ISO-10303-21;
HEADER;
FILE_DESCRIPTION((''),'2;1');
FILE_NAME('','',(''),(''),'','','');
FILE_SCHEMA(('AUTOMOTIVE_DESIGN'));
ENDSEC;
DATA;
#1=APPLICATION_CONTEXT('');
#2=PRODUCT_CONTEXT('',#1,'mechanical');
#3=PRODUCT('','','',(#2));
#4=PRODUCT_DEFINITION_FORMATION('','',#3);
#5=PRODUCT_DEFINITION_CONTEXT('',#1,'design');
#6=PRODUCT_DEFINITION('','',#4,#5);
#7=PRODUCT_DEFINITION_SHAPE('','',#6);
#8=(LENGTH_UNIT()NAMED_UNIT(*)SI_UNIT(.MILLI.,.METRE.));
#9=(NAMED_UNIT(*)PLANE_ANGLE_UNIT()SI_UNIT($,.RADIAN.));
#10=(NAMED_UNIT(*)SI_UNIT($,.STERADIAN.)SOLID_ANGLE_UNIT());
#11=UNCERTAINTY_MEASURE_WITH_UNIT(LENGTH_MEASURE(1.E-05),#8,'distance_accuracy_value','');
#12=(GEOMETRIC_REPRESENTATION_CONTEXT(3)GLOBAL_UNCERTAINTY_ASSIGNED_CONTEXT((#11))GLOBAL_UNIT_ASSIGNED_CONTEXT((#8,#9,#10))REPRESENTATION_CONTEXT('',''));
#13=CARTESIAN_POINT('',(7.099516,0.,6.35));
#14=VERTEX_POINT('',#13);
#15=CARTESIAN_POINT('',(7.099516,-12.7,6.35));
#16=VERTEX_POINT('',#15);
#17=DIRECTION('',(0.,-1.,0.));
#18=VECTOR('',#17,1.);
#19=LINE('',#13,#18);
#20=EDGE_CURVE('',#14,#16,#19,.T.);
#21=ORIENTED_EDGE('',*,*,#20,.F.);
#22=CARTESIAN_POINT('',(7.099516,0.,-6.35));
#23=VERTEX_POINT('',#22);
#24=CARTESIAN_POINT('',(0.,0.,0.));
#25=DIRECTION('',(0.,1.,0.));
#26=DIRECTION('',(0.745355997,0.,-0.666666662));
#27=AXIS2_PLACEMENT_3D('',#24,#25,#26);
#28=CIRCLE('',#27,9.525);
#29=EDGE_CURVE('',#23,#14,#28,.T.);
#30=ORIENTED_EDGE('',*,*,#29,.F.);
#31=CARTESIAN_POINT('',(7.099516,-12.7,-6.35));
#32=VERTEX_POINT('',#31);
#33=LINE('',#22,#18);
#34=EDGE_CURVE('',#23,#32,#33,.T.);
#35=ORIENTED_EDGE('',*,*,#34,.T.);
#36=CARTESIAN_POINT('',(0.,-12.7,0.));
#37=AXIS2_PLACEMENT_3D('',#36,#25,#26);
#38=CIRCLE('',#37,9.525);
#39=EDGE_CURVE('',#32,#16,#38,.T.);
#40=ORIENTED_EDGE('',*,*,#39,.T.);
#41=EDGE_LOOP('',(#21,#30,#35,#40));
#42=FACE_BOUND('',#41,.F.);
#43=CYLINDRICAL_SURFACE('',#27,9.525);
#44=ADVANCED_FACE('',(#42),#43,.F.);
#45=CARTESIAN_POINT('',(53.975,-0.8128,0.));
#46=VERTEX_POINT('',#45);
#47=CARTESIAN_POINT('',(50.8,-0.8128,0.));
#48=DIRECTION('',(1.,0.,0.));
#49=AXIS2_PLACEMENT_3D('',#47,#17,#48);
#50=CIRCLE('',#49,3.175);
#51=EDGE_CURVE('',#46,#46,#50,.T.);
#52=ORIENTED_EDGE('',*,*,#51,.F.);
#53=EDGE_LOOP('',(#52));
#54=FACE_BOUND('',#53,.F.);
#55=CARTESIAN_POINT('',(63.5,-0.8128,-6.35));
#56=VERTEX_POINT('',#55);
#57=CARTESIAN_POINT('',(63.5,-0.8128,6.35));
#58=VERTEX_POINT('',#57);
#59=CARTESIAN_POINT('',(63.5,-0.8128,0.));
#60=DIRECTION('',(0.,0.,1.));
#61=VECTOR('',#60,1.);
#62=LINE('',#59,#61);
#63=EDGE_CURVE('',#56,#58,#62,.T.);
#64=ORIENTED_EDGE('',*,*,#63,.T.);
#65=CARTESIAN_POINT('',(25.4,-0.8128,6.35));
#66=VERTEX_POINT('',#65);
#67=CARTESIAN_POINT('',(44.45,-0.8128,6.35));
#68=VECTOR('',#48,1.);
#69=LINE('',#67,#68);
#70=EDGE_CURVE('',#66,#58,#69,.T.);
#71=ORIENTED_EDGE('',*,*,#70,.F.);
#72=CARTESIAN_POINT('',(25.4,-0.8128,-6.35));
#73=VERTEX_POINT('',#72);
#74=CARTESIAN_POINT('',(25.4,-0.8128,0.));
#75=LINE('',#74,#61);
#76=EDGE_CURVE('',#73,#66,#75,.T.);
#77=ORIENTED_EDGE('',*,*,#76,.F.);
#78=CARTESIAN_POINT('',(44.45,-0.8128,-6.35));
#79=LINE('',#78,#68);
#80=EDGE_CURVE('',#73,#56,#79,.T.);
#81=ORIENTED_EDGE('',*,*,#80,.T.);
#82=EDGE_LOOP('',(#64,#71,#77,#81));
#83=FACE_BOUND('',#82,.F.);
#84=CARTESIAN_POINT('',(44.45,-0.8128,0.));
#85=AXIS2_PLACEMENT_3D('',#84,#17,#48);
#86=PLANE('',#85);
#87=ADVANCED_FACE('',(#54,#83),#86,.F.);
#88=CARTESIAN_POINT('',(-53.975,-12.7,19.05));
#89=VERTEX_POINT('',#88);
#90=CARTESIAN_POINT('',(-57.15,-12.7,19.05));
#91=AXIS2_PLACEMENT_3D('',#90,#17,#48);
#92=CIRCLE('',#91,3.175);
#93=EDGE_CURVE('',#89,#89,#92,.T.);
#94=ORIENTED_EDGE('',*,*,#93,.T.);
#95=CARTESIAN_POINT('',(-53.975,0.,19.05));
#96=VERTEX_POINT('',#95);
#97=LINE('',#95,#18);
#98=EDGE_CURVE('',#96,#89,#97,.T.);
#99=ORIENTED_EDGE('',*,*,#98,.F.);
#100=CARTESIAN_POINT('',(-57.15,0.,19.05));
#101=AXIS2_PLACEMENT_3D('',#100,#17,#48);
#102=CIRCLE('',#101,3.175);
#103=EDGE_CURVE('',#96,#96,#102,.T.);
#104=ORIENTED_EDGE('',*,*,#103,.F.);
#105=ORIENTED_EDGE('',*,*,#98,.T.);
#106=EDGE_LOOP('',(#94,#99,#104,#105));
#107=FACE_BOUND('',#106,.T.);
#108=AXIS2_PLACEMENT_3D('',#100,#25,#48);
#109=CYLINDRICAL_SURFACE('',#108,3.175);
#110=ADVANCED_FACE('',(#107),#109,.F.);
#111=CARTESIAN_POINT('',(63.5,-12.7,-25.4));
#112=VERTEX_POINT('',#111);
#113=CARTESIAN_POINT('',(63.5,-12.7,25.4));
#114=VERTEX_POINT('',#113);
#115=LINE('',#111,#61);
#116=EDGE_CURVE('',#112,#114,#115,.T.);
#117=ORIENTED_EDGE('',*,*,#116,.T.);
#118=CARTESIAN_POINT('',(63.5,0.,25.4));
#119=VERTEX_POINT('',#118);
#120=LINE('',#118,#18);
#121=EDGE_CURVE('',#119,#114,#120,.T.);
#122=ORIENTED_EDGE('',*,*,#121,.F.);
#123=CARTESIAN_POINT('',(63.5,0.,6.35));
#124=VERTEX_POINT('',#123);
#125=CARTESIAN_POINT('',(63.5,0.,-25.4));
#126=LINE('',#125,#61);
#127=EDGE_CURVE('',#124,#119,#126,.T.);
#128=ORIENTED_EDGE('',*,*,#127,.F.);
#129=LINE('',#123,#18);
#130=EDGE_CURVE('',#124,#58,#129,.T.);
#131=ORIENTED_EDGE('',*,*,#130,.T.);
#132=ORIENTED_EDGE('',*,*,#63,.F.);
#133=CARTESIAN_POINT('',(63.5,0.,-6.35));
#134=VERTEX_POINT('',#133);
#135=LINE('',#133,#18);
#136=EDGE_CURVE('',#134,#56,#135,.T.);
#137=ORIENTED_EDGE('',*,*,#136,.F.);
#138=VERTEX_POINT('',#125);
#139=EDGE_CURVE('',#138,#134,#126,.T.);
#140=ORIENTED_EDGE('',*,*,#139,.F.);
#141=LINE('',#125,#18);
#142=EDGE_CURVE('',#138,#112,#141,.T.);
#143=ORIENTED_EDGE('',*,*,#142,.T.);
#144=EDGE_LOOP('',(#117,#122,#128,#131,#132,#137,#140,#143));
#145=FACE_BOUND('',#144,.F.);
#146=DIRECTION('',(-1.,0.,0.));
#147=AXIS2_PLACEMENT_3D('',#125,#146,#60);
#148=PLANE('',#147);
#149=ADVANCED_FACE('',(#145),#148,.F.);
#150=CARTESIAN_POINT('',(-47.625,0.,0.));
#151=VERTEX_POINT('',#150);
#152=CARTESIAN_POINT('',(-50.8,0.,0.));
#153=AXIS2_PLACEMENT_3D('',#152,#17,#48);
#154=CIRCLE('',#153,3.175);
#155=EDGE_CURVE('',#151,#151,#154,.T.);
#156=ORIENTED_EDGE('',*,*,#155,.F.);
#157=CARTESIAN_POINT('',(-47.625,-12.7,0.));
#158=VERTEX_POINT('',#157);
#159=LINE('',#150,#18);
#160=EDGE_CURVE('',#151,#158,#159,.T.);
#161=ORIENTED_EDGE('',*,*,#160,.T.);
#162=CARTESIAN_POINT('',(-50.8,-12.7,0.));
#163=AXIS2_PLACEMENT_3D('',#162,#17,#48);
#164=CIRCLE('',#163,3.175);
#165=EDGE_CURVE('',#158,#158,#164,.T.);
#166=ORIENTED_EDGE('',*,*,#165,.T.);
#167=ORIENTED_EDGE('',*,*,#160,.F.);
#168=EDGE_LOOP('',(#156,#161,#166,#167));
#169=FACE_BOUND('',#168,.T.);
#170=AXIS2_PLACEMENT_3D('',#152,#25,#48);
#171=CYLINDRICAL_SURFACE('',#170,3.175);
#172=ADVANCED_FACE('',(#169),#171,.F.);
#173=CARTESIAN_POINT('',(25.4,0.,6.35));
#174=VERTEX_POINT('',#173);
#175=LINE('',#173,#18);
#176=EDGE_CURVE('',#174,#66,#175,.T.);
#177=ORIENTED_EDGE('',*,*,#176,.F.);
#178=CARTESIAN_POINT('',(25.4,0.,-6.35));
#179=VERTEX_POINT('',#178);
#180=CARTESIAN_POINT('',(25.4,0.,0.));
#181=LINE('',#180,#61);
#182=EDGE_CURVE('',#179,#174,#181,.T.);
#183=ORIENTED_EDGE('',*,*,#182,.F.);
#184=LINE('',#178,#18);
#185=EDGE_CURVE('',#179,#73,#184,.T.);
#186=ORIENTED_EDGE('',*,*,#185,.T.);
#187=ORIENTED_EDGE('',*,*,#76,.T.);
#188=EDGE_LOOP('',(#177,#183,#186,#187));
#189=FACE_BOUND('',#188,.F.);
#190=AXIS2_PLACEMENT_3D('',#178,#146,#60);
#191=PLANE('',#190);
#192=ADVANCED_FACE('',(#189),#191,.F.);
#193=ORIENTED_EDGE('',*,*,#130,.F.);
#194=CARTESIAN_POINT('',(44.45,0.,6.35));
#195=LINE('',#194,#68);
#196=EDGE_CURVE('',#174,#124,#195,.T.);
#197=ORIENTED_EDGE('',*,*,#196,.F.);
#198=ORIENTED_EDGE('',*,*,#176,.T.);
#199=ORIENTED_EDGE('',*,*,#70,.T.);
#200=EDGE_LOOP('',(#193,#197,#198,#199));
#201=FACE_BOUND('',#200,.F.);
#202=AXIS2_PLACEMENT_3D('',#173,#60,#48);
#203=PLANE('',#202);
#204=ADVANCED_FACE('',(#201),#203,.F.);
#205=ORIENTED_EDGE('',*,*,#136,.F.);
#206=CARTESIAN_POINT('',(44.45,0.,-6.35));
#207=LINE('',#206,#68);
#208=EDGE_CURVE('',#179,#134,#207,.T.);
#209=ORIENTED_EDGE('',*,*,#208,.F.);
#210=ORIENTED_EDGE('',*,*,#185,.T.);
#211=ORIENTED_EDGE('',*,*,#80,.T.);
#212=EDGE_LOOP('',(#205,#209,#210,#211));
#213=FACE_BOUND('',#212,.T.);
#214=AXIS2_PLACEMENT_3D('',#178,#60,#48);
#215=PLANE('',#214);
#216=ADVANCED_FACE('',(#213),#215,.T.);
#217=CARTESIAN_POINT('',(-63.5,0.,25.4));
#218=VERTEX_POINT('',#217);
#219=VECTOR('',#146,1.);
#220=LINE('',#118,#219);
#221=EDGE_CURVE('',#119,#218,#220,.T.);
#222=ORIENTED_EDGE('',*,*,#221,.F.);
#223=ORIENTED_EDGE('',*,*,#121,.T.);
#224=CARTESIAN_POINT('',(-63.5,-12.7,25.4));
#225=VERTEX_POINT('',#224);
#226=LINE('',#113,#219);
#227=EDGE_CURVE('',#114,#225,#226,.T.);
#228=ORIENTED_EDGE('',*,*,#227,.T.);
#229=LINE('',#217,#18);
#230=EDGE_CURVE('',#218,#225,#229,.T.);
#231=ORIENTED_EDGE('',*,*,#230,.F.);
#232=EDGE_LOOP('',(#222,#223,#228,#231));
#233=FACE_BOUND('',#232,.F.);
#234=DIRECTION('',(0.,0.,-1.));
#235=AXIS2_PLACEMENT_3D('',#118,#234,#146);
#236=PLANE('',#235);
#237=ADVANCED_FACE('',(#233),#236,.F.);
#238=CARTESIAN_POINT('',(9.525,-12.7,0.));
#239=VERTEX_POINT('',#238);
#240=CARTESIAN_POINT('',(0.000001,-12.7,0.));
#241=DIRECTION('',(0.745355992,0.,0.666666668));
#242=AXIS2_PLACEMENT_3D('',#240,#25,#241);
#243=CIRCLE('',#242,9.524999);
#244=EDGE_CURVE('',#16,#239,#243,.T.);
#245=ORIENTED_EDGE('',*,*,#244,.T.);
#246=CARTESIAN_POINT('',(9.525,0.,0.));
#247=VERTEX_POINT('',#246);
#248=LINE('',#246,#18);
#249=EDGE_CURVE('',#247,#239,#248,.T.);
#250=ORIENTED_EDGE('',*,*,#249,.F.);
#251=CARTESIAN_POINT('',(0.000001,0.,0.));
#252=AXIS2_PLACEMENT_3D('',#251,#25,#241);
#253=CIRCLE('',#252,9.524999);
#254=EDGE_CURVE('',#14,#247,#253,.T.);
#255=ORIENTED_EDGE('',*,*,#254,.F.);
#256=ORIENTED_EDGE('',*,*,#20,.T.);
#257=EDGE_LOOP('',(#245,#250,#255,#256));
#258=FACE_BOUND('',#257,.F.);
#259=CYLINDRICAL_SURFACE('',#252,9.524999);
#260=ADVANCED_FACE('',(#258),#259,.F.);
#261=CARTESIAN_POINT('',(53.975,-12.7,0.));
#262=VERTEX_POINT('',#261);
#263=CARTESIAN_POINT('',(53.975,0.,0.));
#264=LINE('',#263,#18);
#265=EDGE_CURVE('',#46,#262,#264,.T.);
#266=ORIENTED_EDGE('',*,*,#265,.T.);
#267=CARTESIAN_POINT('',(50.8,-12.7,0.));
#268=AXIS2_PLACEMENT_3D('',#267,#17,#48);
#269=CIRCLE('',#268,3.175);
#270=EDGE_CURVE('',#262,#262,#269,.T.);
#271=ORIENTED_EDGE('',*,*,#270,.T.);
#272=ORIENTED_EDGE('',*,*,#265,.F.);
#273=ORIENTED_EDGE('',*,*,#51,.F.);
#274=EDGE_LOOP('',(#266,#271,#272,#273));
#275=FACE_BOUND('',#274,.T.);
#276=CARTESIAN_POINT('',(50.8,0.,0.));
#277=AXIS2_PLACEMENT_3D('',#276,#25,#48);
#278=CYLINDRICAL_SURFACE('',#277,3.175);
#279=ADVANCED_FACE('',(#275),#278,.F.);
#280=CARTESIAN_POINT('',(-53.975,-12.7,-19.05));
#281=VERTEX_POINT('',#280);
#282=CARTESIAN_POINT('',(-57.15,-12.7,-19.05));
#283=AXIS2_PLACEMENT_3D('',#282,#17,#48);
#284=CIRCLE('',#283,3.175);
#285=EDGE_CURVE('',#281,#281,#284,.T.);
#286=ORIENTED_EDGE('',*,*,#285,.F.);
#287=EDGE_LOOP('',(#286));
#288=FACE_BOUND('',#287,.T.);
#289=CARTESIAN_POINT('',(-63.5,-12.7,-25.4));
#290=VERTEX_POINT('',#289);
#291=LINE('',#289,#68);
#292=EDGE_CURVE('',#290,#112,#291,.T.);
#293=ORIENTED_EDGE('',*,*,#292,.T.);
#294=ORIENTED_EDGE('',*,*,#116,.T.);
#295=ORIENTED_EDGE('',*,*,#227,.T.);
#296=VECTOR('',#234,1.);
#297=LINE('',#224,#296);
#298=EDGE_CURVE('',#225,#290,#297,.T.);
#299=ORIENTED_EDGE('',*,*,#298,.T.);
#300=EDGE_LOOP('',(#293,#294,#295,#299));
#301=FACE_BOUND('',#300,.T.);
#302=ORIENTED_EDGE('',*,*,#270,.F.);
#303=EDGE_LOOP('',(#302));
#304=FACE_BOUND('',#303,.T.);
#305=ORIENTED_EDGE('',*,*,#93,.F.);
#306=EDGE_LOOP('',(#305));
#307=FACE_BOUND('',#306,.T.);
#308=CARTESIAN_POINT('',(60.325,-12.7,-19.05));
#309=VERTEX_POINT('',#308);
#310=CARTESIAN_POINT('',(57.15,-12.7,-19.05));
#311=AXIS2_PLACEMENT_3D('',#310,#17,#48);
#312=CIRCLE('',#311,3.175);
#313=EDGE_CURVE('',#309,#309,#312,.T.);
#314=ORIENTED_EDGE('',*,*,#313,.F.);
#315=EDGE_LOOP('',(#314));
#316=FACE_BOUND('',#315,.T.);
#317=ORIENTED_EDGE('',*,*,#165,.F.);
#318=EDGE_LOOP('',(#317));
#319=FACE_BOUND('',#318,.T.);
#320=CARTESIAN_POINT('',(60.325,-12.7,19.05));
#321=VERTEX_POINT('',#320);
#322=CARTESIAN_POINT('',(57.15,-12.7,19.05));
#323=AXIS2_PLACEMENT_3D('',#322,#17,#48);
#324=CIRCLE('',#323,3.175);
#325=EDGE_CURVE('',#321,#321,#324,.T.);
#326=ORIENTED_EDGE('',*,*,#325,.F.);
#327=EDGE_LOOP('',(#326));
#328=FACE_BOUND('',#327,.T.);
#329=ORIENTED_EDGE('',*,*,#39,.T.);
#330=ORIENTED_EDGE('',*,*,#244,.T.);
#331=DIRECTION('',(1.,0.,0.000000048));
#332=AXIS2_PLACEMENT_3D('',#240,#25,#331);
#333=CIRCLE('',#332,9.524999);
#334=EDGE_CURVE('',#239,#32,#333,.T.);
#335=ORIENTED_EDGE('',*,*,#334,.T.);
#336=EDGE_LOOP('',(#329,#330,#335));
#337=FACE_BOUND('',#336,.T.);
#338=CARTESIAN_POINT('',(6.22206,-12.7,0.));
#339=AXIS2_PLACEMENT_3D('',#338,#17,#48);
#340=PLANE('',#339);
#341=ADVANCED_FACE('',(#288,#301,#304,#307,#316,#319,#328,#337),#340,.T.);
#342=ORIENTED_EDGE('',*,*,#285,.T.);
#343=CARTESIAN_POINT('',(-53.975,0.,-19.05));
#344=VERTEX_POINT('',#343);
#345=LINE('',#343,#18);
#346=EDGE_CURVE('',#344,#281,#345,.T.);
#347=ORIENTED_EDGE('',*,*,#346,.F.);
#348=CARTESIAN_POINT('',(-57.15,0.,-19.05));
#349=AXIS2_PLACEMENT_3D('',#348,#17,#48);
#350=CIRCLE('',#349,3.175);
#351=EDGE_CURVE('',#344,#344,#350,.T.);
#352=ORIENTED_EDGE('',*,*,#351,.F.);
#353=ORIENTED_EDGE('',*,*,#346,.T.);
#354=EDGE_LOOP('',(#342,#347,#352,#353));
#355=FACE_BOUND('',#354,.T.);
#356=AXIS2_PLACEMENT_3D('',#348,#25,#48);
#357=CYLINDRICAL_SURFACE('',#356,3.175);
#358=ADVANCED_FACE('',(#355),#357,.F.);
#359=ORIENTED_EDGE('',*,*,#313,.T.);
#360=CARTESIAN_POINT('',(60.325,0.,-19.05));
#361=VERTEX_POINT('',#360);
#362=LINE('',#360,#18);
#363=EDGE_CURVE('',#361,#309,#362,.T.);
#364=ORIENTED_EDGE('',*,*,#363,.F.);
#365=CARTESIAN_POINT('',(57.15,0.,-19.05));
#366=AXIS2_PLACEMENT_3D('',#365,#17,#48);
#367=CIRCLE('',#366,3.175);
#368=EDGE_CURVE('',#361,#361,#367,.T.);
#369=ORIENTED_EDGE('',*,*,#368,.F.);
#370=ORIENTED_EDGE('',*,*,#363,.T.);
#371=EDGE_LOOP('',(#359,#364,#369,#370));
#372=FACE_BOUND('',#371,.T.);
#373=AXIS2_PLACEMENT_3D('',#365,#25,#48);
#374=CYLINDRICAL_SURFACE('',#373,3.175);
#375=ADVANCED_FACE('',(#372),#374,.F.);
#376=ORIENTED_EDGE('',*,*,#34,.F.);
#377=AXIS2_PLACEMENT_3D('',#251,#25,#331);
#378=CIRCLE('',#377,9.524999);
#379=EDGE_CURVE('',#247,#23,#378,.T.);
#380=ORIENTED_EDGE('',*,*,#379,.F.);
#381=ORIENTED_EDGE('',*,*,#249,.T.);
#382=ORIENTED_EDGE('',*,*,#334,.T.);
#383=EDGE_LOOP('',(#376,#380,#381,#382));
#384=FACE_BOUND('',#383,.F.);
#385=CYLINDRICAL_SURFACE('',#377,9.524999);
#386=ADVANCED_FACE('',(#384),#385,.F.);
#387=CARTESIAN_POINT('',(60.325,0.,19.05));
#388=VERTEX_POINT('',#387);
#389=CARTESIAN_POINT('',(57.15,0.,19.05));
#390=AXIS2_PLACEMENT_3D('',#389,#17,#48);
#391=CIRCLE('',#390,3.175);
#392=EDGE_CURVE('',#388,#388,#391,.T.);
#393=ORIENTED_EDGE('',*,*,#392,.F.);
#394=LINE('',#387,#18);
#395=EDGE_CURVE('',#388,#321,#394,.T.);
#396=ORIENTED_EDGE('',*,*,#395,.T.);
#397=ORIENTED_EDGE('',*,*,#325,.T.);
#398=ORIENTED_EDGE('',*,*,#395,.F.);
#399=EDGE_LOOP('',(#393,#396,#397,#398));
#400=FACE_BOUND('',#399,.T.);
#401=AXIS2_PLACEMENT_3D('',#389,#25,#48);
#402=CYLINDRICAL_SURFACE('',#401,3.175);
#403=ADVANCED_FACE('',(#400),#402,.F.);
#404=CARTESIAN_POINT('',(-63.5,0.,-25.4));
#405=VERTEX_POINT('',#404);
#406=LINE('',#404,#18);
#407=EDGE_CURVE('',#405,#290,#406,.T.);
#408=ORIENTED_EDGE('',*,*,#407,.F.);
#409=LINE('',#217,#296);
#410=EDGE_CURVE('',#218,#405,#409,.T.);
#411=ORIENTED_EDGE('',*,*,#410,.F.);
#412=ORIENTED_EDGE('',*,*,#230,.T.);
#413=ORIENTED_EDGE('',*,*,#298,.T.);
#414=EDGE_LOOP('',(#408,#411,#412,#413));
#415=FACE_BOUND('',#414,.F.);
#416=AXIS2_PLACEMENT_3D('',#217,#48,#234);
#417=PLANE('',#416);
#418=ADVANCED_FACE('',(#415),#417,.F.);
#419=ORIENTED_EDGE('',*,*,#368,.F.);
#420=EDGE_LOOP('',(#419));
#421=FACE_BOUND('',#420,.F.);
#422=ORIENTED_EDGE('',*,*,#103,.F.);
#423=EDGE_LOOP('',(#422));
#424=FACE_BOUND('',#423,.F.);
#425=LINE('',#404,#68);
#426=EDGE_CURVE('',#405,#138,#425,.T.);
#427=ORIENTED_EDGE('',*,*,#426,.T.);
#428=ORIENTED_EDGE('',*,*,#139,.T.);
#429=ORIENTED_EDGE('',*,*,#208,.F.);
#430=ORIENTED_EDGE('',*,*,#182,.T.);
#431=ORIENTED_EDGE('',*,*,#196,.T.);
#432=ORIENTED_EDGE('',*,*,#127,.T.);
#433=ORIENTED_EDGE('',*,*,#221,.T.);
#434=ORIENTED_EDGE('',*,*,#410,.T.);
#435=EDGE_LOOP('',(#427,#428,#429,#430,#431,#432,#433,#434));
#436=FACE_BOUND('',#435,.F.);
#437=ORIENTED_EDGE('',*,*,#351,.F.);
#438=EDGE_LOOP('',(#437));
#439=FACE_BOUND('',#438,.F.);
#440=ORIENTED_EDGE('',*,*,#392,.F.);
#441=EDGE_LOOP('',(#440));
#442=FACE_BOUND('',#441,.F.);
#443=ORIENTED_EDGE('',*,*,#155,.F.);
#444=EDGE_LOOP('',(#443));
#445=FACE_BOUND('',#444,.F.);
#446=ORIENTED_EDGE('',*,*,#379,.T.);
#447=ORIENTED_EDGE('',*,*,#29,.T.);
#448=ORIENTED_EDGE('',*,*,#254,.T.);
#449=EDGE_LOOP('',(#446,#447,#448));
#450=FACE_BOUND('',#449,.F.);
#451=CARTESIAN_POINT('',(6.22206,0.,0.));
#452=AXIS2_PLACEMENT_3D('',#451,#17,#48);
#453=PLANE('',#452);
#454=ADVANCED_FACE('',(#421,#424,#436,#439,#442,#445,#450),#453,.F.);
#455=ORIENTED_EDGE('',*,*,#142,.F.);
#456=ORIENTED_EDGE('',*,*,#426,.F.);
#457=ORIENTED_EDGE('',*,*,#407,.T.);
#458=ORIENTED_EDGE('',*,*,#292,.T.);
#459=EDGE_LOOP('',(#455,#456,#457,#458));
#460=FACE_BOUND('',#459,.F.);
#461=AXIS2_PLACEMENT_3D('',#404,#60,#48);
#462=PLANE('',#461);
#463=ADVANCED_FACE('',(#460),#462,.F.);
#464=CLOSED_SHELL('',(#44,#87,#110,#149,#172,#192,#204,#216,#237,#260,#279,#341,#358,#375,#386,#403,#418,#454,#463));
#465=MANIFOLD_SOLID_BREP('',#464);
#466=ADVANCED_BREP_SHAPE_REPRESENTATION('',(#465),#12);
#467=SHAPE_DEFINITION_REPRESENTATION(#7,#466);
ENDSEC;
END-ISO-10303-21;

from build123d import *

# Parameters (mm, degrees)
F0_R     = 3.175
F0_W     = 38.1
F0_H     = 12.7
F1_DEPTH = 12.7
F2_DEPTH = 0.8128


with BuildPart() as f1:
    # F0 (on Front) → F1 (new body)
    with BuildSketch(Plane.XZ):
        with BuildLine():
            Line((63.5, 25.4), (-63.5, 25.4))
            Line((-63.5, 25.4), (-63.5, -25.4))
            Line((-63.5, -25.4), (63.5, -25.4))
            Line((63.5, -25.4), (63.5, -6.35))
            Line((63.5, -6.35), (25.4, -6.35))
            Line((25.4, -6.35), (7.099516, -6.35))
            ThreePointArc((7.099516, -6.35), (-9.525, 0), (7.099516, 6.35))
            Line((7.099516, 6.35), (25.4, 6.35))
            Line((25.4, 6.35), (63.5, 6.35))
            Line((63.5, 6.35), (63.5, 25.4))
        make_face()
        with Locations((-57.15, -19.05)):
            Circle(F0_R, mode=Mode.SUBTRACT)
        with Locations((-50.8, 0)):
            Circle(F0_R, mode=Mode.SUBTRACT)
        with Locations((57.15, -19.05)):
            Circle(F0_R, mode=Mode.SUBTRACT)
        with Locations((-57.15, 19.05)):
            Circle(F0_R, mode=Mode.SUBTRACT)
        with Locations((57.15, 19.05)):
            Circle(F0_R, mode=Mode.SUBTRACT)
        with Locations((44.45, 0)):
            Rectangle(F0_W, F0_H)
        with Locations((50.8, 0)):
            Circle(F0_R, mode=Mode.SUBTRACT)
        with BuildLine():
            Line((25.4, -6.35), (25.4, 6.35))
            Line((25.4, 6.35), (7.099516, 6.35))
            ThreePointArc((7.099516, 6.35), (8.897992, 3.39873), (9.525, 0))
            ThreePointArc((9.525, 0), (8.897992, -3.39873), (7.099516, -6.35))
            Line((7.099516, -6.35), (25.4, -6.35))
        make_face()
    extrude(amount=F1_DEPTH)

    # F0 (on Front) → F2 (cut)
    with BuildSketch(Plane.XZ):
        with Locations((44.45, 0)):
            Rectangle(F0_W, F0_H)
        with Locations((50.8, 0)):
            Circle(F0_R, mode=Mode.SUBTRACT)
    extrude(amount=F2_DEPTH, mode=Mode.SUBTRACT)


solid = f1.part
